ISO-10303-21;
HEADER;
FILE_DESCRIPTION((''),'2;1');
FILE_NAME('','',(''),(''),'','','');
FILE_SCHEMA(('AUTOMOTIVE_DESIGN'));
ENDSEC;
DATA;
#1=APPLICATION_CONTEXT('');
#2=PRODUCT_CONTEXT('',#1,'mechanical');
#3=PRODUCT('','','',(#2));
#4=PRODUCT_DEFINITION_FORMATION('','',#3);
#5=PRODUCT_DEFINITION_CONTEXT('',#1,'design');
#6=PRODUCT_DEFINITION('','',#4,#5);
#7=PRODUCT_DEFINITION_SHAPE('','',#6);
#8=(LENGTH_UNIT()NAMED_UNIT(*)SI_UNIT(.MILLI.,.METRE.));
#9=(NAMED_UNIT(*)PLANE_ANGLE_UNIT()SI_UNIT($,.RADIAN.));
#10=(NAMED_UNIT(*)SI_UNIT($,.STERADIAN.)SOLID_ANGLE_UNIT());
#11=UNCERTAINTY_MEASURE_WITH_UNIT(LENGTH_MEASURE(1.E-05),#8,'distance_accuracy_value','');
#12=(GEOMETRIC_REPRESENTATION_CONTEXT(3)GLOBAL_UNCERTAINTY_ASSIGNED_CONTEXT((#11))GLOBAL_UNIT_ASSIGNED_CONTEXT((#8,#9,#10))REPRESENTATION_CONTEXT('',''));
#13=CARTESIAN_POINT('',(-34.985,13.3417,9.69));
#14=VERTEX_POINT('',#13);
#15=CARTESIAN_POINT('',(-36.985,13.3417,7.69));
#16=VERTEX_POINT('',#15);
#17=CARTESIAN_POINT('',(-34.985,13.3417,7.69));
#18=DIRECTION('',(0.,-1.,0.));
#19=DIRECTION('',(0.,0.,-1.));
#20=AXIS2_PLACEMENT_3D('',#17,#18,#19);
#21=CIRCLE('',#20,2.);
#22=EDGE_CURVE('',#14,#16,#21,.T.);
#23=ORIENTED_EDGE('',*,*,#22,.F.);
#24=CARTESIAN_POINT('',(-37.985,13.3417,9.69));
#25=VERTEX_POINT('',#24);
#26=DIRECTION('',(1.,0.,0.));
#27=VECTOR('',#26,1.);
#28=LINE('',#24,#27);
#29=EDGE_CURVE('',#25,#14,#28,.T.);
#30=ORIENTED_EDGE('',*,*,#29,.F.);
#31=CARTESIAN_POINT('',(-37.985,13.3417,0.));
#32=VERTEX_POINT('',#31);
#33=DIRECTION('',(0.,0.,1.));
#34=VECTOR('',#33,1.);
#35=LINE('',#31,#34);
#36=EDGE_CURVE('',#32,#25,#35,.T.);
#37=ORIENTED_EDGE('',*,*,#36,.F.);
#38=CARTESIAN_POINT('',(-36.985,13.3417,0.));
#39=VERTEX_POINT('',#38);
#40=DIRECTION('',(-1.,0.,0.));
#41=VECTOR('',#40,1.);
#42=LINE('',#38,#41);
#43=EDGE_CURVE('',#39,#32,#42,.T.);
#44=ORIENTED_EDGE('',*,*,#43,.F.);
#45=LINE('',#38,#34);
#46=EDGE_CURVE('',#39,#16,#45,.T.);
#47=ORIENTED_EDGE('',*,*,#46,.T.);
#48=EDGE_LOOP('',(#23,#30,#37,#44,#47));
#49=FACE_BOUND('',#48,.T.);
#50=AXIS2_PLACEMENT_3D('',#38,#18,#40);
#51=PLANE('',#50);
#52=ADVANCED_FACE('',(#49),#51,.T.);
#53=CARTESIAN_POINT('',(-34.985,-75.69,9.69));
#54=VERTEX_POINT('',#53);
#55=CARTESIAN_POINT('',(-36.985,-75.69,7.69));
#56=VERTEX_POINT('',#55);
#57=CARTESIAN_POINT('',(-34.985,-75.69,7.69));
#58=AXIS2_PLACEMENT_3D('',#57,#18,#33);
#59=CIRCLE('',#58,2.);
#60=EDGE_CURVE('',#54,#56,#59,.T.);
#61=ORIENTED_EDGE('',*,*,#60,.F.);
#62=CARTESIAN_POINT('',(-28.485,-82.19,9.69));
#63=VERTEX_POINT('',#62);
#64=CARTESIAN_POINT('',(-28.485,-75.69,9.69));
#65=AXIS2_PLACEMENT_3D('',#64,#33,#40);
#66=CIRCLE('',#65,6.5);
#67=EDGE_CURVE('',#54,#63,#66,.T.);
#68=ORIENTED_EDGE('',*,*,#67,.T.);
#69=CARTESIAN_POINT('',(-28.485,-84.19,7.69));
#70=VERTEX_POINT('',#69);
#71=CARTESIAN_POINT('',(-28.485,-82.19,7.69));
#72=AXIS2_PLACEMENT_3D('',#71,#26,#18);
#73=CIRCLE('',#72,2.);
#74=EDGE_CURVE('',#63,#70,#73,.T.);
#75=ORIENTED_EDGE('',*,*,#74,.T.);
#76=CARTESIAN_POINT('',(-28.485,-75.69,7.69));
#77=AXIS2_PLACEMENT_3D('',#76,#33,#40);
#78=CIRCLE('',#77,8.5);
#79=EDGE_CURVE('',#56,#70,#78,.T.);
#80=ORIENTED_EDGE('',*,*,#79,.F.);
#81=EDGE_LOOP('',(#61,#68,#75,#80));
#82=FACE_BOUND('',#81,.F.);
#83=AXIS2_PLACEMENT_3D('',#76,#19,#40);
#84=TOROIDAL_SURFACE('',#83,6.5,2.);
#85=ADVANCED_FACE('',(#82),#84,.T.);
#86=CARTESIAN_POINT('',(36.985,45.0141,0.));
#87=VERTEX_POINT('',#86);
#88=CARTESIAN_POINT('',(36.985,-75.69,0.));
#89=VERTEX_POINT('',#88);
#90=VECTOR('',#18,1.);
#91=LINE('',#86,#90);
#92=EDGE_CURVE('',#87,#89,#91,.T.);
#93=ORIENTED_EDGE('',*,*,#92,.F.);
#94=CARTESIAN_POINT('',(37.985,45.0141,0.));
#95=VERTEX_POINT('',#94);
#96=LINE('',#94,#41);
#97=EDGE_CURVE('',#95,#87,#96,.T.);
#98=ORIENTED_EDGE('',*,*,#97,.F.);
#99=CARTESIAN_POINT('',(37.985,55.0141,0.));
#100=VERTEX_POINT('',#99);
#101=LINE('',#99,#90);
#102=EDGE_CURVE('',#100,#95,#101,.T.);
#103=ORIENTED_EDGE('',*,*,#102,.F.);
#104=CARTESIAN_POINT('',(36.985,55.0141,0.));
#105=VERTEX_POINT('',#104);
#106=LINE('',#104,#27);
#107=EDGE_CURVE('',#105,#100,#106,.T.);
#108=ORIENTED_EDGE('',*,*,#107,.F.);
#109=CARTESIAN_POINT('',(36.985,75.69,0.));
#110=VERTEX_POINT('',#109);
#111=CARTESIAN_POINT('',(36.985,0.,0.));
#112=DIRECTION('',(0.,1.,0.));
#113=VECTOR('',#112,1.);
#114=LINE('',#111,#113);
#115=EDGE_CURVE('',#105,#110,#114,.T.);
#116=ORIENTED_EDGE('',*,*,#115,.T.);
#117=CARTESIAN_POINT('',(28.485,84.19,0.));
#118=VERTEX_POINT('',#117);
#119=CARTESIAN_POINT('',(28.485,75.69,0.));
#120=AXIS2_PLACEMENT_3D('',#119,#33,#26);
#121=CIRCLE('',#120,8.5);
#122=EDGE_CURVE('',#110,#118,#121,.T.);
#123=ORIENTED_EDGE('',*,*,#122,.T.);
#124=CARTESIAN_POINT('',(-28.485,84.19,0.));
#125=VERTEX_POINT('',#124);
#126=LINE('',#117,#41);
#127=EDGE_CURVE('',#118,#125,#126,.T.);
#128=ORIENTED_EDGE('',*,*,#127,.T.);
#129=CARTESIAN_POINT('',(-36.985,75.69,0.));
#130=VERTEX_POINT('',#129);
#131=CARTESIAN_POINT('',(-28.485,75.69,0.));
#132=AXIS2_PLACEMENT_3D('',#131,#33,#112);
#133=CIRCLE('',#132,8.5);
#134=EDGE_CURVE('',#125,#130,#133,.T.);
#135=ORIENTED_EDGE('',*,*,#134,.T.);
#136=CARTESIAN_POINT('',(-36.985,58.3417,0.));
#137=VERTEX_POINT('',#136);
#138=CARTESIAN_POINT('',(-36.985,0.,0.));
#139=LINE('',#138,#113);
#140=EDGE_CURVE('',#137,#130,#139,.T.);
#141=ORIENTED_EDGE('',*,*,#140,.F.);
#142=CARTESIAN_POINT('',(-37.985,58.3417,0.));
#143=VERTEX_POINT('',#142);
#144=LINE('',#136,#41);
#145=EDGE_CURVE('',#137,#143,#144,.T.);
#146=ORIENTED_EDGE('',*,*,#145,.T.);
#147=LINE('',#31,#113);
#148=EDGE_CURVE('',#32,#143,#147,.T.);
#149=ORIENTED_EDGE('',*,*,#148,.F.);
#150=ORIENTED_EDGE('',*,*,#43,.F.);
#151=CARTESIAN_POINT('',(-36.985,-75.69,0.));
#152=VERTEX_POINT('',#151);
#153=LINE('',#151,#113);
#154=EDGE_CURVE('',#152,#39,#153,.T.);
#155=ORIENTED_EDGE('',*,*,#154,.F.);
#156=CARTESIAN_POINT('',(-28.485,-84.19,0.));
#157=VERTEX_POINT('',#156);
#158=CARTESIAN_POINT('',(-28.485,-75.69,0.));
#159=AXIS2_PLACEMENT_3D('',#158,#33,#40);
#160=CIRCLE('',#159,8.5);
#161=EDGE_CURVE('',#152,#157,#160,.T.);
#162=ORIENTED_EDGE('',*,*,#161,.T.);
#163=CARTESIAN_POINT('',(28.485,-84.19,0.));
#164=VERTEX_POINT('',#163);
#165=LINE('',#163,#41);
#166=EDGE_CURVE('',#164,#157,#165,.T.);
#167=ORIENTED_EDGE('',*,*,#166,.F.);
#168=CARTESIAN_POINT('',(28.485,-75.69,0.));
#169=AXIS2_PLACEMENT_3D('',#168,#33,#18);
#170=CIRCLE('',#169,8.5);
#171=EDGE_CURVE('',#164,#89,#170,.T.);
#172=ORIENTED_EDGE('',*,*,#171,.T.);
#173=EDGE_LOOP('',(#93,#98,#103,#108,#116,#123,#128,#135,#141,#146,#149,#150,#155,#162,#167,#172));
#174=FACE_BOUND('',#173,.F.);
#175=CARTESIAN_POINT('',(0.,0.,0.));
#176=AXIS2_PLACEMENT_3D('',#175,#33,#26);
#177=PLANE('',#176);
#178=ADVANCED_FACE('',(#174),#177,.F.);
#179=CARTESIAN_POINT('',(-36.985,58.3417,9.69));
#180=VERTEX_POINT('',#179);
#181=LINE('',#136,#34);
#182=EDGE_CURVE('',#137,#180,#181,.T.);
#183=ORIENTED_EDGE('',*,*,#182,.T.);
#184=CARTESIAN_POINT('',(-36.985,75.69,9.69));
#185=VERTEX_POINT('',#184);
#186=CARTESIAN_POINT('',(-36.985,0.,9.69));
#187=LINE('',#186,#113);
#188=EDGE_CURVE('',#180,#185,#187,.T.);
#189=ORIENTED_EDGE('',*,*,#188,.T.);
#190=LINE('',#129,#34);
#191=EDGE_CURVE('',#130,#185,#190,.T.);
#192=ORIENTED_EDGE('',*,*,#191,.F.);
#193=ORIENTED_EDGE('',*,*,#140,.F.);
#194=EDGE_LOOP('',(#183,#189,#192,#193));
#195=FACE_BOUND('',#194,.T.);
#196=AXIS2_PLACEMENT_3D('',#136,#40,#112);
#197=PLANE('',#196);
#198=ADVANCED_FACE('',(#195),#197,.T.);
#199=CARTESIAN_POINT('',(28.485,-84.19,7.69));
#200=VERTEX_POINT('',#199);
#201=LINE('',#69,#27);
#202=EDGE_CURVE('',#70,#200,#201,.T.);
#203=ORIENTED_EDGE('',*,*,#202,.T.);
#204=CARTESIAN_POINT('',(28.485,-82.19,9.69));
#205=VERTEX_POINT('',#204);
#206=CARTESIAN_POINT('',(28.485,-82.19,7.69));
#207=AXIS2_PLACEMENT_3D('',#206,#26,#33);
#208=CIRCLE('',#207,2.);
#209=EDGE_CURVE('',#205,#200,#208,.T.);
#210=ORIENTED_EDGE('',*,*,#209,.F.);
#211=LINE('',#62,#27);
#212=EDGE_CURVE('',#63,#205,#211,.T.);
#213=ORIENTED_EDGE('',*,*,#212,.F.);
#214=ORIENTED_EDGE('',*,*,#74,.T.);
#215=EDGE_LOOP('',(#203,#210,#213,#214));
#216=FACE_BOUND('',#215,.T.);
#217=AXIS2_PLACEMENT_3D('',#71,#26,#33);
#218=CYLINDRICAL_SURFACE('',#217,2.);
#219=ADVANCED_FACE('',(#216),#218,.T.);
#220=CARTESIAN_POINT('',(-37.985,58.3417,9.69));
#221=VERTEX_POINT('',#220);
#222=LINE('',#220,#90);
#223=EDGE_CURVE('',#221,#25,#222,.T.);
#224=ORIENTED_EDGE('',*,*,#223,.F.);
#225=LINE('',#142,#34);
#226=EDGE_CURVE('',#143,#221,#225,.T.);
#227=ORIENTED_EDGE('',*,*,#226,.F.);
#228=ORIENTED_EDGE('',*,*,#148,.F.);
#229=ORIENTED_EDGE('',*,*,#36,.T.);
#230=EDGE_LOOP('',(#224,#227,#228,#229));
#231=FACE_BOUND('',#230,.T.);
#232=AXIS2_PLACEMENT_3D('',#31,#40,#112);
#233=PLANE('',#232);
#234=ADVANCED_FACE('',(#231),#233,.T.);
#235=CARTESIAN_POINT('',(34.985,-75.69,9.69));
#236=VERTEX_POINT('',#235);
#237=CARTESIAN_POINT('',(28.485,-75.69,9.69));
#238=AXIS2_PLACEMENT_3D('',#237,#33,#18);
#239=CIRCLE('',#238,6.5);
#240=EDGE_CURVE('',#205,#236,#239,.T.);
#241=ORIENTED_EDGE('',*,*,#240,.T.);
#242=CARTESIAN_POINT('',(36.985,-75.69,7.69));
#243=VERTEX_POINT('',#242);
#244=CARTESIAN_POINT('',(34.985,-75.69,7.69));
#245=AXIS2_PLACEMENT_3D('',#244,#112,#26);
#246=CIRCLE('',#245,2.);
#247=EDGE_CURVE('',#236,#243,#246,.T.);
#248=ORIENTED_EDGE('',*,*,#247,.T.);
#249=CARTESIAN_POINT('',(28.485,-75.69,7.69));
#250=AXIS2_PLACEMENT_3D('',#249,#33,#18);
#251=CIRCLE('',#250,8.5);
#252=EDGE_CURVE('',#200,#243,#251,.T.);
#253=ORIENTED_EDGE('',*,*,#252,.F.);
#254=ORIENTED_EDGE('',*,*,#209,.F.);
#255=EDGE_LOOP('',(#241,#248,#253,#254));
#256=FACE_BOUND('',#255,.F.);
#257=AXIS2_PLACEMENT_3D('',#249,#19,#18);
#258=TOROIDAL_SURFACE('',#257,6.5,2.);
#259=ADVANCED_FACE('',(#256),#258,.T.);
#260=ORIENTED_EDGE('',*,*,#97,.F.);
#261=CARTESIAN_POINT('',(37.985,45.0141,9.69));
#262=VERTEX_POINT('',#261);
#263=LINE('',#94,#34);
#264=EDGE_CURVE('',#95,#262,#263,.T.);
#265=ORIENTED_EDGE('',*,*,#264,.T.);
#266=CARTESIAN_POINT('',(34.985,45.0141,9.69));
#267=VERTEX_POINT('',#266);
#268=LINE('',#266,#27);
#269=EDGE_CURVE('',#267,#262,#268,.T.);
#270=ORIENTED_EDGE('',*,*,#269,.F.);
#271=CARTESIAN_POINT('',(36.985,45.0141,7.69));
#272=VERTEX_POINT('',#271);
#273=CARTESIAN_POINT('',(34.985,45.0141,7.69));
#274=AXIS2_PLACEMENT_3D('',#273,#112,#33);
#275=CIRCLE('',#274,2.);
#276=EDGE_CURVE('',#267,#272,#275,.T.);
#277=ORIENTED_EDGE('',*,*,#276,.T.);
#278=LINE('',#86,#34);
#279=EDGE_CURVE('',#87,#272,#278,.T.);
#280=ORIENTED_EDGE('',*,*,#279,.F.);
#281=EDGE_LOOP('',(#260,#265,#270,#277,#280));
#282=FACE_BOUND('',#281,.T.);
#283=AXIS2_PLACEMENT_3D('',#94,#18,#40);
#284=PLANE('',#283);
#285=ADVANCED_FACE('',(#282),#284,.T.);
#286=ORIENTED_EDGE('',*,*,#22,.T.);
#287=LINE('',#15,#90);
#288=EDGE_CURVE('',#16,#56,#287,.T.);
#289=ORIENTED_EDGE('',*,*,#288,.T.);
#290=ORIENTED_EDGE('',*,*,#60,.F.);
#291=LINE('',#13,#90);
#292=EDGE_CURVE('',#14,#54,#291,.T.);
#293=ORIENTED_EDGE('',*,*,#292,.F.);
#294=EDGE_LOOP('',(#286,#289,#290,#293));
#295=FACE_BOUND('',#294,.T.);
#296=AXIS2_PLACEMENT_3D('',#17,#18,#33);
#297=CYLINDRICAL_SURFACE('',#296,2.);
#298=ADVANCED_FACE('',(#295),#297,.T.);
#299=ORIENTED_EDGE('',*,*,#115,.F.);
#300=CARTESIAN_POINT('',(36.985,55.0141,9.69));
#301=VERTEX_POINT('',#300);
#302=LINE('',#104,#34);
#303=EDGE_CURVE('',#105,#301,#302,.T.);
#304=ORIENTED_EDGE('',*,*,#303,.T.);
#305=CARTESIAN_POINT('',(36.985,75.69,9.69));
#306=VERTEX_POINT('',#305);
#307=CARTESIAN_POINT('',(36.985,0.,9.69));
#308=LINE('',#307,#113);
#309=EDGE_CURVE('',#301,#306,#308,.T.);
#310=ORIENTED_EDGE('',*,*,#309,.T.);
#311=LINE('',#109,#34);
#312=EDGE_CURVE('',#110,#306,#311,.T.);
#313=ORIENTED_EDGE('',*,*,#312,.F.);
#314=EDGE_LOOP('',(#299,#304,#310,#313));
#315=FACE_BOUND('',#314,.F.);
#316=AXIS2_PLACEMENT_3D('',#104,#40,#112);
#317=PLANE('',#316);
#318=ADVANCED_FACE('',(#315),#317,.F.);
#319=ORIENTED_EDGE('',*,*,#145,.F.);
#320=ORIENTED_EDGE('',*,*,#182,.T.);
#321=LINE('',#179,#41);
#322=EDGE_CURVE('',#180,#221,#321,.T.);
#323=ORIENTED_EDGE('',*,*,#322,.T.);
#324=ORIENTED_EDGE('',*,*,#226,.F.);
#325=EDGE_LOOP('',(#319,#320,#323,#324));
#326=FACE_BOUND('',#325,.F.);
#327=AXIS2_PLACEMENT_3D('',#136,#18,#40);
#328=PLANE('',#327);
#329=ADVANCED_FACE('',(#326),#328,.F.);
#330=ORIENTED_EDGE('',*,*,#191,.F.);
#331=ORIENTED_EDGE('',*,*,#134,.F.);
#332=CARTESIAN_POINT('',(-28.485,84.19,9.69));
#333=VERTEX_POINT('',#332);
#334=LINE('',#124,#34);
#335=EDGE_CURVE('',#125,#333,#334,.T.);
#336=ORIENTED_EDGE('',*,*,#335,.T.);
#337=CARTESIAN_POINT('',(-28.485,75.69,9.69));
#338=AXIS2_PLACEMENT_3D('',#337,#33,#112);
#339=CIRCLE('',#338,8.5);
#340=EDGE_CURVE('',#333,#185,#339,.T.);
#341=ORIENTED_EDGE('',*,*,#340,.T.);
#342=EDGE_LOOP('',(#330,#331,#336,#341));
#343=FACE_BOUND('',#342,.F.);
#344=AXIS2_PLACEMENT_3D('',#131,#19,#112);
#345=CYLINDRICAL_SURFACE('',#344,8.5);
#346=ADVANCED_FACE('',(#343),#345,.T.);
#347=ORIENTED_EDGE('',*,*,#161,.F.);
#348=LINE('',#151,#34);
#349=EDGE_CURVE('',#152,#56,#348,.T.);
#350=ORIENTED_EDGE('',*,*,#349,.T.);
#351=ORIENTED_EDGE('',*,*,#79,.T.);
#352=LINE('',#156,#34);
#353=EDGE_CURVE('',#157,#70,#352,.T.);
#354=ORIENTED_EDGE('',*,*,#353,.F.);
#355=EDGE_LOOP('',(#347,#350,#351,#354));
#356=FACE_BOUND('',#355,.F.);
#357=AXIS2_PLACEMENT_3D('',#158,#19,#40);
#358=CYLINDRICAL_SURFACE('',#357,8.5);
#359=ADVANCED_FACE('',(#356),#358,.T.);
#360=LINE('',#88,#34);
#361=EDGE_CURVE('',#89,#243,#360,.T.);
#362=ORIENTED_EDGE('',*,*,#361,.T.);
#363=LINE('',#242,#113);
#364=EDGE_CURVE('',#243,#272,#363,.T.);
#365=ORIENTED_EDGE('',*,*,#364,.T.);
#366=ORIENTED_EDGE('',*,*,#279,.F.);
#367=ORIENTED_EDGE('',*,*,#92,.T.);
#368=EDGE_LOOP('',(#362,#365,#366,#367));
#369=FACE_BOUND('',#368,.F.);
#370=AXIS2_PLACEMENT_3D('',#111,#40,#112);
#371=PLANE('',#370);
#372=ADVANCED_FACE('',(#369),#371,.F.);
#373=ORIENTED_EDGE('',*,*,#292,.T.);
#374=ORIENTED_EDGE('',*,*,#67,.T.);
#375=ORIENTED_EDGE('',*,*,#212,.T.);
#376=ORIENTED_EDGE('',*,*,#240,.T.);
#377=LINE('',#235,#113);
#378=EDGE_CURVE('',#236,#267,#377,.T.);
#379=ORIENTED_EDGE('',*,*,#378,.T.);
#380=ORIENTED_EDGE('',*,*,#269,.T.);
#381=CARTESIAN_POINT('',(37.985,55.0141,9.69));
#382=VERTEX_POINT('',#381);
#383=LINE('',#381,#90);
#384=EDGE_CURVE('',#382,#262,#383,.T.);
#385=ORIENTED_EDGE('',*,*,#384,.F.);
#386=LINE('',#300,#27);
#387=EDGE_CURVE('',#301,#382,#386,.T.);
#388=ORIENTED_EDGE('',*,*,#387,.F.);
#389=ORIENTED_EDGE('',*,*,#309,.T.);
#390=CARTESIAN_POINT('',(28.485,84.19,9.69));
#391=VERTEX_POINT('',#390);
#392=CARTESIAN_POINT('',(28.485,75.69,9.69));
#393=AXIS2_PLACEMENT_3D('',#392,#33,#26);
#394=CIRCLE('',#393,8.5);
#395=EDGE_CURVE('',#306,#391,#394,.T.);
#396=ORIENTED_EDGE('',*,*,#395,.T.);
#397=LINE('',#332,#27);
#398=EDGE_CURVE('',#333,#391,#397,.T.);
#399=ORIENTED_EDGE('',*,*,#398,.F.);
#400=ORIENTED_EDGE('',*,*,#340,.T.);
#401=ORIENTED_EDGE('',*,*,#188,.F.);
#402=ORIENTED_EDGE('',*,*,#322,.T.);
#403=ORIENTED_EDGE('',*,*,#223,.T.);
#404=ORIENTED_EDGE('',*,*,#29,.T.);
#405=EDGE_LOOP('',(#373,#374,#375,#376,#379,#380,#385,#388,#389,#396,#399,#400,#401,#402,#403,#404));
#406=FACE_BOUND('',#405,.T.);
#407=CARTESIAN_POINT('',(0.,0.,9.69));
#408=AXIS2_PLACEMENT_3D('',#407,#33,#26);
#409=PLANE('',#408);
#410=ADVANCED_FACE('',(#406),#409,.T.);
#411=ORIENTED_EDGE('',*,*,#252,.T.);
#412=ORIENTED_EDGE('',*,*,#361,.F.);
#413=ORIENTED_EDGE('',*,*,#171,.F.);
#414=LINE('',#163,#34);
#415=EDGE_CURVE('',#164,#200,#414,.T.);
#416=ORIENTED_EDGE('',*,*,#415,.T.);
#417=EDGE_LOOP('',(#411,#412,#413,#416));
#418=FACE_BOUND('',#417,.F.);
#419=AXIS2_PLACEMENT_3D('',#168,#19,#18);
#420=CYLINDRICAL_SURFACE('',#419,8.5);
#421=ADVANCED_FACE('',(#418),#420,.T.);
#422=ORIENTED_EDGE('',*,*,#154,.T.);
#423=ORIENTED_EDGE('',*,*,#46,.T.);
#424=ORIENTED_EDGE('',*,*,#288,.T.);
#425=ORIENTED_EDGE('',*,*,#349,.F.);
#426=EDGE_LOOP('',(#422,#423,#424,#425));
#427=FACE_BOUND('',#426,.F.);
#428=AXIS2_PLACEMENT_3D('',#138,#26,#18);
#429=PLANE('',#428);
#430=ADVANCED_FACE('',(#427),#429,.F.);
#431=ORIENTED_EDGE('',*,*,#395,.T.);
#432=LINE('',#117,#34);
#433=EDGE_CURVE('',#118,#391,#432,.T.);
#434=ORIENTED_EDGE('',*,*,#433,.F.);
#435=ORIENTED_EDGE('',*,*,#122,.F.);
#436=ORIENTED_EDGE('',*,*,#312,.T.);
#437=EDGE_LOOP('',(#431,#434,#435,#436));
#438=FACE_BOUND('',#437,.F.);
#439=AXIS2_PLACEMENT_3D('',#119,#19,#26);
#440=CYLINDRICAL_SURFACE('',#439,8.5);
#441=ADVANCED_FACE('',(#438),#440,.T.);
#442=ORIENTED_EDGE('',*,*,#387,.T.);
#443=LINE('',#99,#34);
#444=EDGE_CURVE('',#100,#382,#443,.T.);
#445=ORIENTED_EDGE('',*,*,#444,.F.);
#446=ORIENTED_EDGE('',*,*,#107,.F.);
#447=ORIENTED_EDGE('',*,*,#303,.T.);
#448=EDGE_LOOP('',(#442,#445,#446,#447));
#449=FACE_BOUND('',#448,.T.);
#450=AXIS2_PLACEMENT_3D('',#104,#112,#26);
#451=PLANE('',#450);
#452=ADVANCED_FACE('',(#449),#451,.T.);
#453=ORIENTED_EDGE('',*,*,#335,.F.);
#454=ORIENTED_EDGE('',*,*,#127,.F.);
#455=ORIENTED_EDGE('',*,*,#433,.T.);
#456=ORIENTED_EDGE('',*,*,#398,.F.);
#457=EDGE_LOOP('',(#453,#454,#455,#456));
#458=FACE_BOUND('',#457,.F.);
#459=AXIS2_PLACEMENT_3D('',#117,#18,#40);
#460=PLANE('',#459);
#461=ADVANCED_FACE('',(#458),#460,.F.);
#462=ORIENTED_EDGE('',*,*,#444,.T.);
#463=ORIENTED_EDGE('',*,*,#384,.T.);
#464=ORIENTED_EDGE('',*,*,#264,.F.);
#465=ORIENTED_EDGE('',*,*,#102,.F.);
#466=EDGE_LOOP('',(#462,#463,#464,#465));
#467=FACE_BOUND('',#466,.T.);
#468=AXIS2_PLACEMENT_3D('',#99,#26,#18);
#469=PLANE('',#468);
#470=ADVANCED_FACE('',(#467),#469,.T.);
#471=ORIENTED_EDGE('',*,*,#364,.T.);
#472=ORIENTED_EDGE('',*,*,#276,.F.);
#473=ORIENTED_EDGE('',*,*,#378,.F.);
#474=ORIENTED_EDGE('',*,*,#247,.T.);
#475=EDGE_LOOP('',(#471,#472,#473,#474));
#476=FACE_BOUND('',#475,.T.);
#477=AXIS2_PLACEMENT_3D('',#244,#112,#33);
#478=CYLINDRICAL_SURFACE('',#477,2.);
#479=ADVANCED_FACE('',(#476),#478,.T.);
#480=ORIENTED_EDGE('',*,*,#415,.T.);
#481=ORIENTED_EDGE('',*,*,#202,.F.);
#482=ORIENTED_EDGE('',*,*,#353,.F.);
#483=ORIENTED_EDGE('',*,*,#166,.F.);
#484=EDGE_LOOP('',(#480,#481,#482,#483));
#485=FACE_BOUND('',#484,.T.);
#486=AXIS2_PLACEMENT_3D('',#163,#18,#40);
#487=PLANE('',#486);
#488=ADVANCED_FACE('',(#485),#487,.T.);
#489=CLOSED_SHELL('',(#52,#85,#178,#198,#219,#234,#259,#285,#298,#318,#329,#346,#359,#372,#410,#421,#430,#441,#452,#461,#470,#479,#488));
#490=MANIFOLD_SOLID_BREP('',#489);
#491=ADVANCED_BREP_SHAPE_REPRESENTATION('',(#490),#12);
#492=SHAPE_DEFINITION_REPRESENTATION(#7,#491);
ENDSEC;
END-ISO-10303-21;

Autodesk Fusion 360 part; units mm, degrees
sketch "Sketch1" plane through (0, 0, 0) normal (0, 0, 1) x (1, 0, 0)
  line L0 (28.485, 84.19) -> (0, 84.19)
  line L1 (36.985, 0) -> (36.985, 75.69)
  line L2 (0, 0) -> (0, 84.19) construction
  line L3 (0, 0) -> (36.985, 0) construction
  arc A0 (36.985, 75.69) -> (28.485, 84.19) centre (28.485, 75.69) ccw
  line L4 (-28.485, 84.19) -> (0, 84.19)
  arc A1 (-28.485, 84.19) -> (-36.985, 75.69) centre (-28.485, 75.69) ccw
  line L5 (-36.985, 0) -> (-36.985, 75.69)
  line L6 (36.985, 0) -> (36.985, -75.69)
  arc A2 (28.485, -84.19) -> (36.985, -75.69) centre (28.485, -75.69) ccw
  line L7 (28.485, -84.19) -> (0, -84.19)
  line L8 (-28.485, -84.19) -> (0, -84.19)
  arc A3 (-36.985, -75.69) -> (-28.485, -84.19) centre (-28.485, -75.69) ccw
  line L9 (-36.985, 0) -> (-36.985, -75.69)
  line L10 (-36.985, 58.3417) -> (-37.985, 58.3417)
  line L11 (-37.985, 58.3417) -> (-37.985, 38.3417)
  line L12 (-37.985, 38.3417) -> (-36.985, 38.3417)
  line L13 (-36.985, 38.3417) -> (-36.985, 58.3417)
  line L14 (-37.985, 38.3417) -> (-36.985, 38.3417)
  line L15 (-36.985, 38.3417) -> (-36.985, 13.3417)
  line L16 (-36.985, 13.3417) -> (-37.985, 13.3417)
  line L17 (-37.985, 13.3417) -> (-37.985, 38.3417)
  line L18 (36.985, 55.0141) -> (37.985, 55.0141)
  line L19 (37.985, 55.0141) -> (37.985, 45.0141)
  line L20 (37.985, 45.0141) -> (36.985, 45.0141)
  line L21 (36.985, 45.0141) -> (36.985, 55.0141)
  dimension "d3" = 8.5
  dimension "d4" = 1
  dimension "d5" = 20
  dimension "d6" = 25
  dimension "d7" = 1
  dimension "d8" = 10
extrude "Extrude1" add sketch "Sketch1" along normal blind 9.69
fillet "Fillet1" radius 2 5 edges at (-36.985, -31.1741, 9.69) (-34.4954, -81.7004, 9.69) (0, -84.19, 9.69) (34.4954, -81.7004, 9.69) (36.985, -15.3379, 9.69)
